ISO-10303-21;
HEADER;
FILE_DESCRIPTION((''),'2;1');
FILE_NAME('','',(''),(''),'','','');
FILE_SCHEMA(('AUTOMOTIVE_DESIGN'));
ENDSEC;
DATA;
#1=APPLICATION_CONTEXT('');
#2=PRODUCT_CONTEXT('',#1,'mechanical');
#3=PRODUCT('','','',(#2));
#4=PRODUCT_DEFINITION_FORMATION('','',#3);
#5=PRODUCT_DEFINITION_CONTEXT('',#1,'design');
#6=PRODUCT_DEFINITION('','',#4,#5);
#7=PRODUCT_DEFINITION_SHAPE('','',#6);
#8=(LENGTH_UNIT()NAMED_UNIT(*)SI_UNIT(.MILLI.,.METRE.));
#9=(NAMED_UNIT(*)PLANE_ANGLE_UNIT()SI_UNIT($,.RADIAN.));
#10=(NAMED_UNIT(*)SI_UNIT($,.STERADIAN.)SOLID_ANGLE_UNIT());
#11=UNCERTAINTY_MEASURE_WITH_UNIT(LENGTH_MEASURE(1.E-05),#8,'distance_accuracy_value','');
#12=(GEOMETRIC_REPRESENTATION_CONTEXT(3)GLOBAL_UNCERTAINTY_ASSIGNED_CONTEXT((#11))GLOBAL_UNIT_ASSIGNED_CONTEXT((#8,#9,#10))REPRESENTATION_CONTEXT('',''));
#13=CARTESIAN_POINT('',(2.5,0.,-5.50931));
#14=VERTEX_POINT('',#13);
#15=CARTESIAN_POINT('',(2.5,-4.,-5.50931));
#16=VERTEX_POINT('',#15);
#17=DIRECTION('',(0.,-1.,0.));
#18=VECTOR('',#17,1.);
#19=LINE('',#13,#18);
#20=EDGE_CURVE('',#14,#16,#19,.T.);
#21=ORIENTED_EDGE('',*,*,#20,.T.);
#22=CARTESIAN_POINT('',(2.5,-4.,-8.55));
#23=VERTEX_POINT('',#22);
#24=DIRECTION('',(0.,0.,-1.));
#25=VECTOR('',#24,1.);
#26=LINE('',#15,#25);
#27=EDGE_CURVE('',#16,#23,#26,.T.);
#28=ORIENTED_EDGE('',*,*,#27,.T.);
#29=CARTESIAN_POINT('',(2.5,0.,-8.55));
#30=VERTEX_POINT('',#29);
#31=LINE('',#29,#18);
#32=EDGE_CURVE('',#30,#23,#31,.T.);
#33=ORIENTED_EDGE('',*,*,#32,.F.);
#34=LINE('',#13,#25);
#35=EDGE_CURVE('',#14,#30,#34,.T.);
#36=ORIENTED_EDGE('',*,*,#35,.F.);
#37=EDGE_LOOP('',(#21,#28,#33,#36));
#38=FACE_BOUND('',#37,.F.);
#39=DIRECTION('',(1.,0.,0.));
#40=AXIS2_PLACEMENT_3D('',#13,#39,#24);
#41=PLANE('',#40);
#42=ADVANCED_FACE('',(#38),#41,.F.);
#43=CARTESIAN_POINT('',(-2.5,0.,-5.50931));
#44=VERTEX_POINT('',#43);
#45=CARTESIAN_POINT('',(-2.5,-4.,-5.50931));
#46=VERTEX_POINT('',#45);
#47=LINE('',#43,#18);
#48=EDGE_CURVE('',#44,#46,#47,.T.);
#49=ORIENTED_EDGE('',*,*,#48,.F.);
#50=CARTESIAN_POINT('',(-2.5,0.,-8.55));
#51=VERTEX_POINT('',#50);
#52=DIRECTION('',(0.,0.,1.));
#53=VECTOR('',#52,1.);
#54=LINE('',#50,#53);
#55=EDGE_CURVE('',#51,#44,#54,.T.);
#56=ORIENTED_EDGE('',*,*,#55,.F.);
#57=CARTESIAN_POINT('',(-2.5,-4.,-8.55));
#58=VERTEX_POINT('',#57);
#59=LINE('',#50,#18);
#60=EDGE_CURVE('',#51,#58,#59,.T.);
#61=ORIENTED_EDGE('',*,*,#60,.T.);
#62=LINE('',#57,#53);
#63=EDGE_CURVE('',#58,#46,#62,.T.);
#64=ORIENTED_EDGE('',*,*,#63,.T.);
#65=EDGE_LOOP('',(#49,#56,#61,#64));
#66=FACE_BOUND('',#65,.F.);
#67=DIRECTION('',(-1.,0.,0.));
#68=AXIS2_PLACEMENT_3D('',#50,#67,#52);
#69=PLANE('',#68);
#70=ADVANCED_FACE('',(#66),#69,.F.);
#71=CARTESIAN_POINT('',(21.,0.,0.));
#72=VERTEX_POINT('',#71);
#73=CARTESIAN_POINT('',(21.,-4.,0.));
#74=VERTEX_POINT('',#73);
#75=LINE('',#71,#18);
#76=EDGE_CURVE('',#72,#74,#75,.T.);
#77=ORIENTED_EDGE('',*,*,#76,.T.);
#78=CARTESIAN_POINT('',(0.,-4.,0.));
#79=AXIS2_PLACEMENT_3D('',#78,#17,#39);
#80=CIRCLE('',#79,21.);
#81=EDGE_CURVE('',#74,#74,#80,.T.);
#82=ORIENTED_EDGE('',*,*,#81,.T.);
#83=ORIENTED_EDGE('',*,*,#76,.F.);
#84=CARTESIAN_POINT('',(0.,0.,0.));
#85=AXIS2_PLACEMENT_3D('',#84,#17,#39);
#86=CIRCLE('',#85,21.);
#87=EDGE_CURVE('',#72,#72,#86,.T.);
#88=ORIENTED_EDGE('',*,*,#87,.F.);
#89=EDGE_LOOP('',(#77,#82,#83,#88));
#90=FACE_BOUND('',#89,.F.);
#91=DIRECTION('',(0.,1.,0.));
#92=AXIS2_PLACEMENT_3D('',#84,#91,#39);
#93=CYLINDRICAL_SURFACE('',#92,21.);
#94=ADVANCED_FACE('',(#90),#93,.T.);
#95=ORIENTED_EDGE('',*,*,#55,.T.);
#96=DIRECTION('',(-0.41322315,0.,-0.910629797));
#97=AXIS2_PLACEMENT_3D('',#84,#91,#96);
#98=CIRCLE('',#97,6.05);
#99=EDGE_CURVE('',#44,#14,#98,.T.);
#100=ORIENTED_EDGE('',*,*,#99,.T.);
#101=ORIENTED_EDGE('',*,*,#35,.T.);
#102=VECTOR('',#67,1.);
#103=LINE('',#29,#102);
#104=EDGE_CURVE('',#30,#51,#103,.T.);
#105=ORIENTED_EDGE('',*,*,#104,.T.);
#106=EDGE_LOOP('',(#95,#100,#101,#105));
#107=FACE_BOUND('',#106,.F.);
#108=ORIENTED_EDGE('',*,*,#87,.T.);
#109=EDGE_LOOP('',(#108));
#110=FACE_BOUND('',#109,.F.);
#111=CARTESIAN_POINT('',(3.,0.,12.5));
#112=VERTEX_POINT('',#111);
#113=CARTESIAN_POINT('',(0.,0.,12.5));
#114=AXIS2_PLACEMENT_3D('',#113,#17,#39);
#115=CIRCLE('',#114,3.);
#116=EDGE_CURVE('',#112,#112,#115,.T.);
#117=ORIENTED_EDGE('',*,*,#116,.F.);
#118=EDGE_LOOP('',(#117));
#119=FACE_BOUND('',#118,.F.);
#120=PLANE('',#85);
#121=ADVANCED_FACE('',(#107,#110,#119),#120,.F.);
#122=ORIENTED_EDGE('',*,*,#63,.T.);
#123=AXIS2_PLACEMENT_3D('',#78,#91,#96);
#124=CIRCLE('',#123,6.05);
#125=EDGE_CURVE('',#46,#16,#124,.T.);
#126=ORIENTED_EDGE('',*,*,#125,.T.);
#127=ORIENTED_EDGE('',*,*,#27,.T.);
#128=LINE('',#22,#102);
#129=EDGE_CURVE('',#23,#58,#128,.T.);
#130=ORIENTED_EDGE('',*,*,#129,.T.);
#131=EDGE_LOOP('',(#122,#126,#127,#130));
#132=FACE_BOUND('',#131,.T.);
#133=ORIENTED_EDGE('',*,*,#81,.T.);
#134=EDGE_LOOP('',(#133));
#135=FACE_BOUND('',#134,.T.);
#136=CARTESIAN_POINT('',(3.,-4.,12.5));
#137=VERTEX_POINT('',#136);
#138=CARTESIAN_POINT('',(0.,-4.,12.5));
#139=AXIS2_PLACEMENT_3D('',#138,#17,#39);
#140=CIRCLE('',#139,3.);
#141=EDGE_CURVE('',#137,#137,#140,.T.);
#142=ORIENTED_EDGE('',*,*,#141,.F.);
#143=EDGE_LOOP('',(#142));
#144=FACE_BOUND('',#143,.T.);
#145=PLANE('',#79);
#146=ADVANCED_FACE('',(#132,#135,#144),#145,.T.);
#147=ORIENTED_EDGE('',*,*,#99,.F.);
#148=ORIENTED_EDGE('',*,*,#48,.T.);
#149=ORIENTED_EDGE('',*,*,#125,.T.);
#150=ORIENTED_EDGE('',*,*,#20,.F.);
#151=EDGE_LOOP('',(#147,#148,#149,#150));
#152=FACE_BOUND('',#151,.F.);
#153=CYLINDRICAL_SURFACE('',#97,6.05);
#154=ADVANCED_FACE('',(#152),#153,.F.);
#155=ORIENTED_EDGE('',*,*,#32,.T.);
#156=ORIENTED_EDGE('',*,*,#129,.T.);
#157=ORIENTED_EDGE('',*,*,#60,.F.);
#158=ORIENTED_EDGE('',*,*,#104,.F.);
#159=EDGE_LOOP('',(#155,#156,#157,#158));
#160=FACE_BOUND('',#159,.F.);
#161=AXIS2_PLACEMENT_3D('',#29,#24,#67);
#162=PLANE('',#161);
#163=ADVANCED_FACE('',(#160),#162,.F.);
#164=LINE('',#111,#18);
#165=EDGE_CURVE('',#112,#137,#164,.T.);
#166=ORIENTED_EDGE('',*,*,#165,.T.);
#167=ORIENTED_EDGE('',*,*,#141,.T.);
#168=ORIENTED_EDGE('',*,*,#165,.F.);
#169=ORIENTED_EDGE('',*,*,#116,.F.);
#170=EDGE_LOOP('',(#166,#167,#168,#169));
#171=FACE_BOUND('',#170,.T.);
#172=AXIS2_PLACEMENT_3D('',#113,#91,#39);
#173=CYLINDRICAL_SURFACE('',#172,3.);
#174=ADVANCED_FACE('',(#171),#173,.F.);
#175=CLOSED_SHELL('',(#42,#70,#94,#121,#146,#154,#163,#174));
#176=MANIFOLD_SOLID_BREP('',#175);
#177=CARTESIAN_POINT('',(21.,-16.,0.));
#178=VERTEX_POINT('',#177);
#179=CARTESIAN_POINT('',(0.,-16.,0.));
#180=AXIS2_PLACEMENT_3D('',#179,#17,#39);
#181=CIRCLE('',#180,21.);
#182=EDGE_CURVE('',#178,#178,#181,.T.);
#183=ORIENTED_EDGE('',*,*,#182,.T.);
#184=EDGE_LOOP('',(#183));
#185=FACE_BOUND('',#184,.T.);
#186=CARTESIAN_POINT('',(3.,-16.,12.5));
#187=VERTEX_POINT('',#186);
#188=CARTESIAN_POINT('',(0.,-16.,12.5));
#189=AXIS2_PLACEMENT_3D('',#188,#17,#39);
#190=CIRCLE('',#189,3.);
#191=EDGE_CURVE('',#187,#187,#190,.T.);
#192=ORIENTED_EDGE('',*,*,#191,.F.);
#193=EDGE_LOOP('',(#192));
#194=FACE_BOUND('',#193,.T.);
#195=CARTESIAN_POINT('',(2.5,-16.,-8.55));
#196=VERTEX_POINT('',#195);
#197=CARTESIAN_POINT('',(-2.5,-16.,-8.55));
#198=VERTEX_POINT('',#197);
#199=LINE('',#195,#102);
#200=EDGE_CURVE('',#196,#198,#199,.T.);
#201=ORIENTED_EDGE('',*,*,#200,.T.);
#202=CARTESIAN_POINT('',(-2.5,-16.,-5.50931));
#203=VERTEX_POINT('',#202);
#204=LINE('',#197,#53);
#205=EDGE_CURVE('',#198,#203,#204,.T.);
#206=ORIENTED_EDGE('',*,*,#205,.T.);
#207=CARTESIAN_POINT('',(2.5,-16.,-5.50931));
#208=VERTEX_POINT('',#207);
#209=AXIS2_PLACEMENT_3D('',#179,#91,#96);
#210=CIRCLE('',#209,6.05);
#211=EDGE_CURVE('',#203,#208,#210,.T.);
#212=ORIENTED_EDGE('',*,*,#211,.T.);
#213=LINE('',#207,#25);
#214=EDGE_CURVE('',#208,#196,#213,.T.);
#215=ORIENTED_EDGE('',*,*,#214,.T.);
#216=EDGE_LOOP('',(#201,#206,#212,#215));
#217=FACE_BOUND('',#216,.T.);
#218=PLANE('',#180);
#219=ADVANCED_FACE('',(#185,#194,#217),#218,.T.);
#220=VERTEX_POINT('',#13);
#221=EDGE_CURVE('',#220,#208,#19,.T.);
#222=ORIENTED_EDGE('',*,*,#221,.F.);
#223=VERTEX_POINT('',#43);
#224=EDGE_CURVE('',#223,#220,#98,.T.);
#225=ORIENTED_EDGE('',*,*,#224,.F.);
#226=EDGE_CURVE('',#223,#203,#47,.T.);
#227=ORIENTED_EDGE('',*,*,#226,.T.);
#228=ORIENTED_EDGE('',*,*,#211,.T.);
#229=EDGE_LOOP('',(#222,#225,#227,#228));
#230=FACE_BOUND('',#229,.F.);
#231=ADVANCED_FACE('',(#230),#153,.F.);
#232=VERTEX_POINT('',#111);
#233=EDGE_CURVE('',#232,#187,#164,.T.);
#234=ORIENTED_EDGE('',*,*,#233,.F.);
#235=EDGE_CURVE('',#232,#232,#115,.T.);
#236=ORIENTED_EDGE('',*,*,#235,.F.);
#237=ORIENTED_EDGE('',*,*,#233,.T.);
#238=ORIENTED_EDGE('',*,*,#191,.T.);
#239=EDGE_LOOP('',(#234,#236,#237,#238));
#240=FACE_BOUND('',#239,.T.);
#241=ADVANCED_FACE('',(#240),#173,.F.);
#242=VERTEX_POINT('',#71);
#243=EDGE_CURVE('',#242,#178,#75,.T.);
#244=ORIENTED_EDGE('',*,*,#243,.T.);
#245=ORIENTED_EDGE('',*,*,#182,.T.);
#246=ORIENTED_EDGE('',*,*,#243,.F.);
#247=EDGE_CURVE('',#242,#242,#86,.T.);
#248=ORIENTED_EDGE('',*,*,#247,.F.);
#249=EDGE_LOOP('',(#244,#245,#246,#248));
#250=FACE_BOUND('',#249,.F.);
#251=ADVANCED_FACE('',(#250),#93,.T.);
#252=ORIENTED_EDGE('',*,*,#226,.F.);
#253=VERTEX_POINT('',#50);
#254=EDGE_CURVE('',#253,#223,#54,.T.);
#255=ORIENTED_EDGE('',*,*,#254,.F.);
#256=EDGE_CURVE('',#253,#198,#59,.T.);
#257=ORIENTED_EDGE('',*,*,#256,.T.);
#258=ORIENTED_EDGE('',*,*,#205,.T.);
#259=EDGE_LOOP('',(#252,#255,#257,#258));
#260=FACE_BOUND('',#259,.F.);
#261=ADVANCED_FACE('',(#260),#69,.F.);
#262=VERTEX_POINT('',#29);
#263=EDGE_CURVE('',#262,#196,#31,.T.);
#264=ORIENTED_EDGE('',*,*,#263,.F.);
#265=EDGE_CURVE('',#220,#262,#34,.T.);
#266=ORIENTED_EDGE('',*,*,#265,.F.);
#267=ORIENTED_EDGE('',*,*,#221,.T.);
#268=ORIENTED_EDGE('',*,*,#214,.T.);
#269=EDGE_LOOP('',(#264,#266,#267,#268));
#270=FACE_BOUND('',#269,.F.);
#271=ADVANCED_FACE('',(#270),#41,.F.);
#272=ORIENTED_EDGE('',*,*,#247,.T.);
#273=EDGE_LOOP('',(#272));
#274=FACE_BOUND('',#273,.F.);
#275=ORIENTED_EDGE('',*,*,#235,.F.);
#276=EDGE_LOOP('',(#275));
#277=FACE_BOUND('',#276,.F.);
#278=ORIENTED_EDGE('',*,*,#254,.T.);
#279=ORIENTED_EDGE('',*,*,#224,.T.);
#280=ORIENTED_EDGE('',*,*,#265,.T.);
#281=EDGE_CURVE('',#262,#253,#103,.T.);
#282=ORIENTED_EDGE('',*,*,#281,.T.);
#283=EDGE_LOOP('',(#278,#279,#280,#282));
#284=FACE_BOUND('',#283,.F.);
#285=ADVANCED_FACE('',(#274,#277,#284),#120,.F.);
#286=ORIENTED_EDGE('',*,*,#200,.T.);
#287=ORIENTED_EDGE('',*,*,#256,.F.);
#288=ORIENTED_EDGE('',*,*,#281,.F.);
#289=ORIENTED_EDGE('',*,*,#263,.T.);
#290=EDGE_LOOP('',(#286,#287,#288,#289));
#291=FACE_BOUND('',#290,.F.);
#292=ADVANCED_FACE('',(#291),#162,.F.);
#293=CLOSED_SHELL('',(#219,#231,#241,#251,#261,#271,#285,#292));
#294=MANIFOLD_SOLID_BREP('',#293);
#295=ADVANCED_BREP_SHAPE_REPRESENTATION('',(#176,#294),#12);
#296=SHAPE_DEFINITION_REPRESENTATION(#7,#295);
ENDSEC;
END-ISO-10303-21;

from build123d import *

# Parameters (mm, degrees)
F0_R     = 21
F0_R_2   = 3
F1_DEPTH = 16
F2_DEPTH = 4


with BuildPart() as f1:
    # F0 (on Front) → F1 (new body)
    with BuildSketch(Plane.XZ):
        Circle(F0_R)
        with BuildLine():
            ThreePointArc((-2.5, -5.50931), (0, 6.05), (2.5, -5.50931))
            Line((2.5, -5.50931), (2.5, -8.55))
            Line((2.5, -8.55), (-2.5, -8.55))
            Line((-2.5, -8.55), (-2.5, -5.50931))
        make_face(mode=Mode.SUBTRACT)
        with Locations((0, 12.5)):
            Circle(F0_R_2, mode=Mode.SUBTRACT)
    extrude(amount=F1_DEPTH)


with BuildPart() as f2:
    # F0 (on Front) → F2 (new body)
    with BuildSketch(Plane.XZ):
        Circle(F0_R)
        with BuildLine():
            ThreePointArc((-2.5, -5.50931), (0, 6.05), (2.5, -5.50931))
            Line((2.5, -5.50931), (2.5, -8.55))
            Line((2.5, -8.55), (-2.5, -8.55))
            Line((-2.5, -8.55), (-2.5, -5.50931))
        make_face(mode=Mode.SUBTRACT)
        with Locations((0, 12.5)):
            Circle(F0_R_2, mode=Mode.SUBTRACT)
    extrude(amount=F2_DEPTH)


solid = Compound([f1.part, f2.part])
